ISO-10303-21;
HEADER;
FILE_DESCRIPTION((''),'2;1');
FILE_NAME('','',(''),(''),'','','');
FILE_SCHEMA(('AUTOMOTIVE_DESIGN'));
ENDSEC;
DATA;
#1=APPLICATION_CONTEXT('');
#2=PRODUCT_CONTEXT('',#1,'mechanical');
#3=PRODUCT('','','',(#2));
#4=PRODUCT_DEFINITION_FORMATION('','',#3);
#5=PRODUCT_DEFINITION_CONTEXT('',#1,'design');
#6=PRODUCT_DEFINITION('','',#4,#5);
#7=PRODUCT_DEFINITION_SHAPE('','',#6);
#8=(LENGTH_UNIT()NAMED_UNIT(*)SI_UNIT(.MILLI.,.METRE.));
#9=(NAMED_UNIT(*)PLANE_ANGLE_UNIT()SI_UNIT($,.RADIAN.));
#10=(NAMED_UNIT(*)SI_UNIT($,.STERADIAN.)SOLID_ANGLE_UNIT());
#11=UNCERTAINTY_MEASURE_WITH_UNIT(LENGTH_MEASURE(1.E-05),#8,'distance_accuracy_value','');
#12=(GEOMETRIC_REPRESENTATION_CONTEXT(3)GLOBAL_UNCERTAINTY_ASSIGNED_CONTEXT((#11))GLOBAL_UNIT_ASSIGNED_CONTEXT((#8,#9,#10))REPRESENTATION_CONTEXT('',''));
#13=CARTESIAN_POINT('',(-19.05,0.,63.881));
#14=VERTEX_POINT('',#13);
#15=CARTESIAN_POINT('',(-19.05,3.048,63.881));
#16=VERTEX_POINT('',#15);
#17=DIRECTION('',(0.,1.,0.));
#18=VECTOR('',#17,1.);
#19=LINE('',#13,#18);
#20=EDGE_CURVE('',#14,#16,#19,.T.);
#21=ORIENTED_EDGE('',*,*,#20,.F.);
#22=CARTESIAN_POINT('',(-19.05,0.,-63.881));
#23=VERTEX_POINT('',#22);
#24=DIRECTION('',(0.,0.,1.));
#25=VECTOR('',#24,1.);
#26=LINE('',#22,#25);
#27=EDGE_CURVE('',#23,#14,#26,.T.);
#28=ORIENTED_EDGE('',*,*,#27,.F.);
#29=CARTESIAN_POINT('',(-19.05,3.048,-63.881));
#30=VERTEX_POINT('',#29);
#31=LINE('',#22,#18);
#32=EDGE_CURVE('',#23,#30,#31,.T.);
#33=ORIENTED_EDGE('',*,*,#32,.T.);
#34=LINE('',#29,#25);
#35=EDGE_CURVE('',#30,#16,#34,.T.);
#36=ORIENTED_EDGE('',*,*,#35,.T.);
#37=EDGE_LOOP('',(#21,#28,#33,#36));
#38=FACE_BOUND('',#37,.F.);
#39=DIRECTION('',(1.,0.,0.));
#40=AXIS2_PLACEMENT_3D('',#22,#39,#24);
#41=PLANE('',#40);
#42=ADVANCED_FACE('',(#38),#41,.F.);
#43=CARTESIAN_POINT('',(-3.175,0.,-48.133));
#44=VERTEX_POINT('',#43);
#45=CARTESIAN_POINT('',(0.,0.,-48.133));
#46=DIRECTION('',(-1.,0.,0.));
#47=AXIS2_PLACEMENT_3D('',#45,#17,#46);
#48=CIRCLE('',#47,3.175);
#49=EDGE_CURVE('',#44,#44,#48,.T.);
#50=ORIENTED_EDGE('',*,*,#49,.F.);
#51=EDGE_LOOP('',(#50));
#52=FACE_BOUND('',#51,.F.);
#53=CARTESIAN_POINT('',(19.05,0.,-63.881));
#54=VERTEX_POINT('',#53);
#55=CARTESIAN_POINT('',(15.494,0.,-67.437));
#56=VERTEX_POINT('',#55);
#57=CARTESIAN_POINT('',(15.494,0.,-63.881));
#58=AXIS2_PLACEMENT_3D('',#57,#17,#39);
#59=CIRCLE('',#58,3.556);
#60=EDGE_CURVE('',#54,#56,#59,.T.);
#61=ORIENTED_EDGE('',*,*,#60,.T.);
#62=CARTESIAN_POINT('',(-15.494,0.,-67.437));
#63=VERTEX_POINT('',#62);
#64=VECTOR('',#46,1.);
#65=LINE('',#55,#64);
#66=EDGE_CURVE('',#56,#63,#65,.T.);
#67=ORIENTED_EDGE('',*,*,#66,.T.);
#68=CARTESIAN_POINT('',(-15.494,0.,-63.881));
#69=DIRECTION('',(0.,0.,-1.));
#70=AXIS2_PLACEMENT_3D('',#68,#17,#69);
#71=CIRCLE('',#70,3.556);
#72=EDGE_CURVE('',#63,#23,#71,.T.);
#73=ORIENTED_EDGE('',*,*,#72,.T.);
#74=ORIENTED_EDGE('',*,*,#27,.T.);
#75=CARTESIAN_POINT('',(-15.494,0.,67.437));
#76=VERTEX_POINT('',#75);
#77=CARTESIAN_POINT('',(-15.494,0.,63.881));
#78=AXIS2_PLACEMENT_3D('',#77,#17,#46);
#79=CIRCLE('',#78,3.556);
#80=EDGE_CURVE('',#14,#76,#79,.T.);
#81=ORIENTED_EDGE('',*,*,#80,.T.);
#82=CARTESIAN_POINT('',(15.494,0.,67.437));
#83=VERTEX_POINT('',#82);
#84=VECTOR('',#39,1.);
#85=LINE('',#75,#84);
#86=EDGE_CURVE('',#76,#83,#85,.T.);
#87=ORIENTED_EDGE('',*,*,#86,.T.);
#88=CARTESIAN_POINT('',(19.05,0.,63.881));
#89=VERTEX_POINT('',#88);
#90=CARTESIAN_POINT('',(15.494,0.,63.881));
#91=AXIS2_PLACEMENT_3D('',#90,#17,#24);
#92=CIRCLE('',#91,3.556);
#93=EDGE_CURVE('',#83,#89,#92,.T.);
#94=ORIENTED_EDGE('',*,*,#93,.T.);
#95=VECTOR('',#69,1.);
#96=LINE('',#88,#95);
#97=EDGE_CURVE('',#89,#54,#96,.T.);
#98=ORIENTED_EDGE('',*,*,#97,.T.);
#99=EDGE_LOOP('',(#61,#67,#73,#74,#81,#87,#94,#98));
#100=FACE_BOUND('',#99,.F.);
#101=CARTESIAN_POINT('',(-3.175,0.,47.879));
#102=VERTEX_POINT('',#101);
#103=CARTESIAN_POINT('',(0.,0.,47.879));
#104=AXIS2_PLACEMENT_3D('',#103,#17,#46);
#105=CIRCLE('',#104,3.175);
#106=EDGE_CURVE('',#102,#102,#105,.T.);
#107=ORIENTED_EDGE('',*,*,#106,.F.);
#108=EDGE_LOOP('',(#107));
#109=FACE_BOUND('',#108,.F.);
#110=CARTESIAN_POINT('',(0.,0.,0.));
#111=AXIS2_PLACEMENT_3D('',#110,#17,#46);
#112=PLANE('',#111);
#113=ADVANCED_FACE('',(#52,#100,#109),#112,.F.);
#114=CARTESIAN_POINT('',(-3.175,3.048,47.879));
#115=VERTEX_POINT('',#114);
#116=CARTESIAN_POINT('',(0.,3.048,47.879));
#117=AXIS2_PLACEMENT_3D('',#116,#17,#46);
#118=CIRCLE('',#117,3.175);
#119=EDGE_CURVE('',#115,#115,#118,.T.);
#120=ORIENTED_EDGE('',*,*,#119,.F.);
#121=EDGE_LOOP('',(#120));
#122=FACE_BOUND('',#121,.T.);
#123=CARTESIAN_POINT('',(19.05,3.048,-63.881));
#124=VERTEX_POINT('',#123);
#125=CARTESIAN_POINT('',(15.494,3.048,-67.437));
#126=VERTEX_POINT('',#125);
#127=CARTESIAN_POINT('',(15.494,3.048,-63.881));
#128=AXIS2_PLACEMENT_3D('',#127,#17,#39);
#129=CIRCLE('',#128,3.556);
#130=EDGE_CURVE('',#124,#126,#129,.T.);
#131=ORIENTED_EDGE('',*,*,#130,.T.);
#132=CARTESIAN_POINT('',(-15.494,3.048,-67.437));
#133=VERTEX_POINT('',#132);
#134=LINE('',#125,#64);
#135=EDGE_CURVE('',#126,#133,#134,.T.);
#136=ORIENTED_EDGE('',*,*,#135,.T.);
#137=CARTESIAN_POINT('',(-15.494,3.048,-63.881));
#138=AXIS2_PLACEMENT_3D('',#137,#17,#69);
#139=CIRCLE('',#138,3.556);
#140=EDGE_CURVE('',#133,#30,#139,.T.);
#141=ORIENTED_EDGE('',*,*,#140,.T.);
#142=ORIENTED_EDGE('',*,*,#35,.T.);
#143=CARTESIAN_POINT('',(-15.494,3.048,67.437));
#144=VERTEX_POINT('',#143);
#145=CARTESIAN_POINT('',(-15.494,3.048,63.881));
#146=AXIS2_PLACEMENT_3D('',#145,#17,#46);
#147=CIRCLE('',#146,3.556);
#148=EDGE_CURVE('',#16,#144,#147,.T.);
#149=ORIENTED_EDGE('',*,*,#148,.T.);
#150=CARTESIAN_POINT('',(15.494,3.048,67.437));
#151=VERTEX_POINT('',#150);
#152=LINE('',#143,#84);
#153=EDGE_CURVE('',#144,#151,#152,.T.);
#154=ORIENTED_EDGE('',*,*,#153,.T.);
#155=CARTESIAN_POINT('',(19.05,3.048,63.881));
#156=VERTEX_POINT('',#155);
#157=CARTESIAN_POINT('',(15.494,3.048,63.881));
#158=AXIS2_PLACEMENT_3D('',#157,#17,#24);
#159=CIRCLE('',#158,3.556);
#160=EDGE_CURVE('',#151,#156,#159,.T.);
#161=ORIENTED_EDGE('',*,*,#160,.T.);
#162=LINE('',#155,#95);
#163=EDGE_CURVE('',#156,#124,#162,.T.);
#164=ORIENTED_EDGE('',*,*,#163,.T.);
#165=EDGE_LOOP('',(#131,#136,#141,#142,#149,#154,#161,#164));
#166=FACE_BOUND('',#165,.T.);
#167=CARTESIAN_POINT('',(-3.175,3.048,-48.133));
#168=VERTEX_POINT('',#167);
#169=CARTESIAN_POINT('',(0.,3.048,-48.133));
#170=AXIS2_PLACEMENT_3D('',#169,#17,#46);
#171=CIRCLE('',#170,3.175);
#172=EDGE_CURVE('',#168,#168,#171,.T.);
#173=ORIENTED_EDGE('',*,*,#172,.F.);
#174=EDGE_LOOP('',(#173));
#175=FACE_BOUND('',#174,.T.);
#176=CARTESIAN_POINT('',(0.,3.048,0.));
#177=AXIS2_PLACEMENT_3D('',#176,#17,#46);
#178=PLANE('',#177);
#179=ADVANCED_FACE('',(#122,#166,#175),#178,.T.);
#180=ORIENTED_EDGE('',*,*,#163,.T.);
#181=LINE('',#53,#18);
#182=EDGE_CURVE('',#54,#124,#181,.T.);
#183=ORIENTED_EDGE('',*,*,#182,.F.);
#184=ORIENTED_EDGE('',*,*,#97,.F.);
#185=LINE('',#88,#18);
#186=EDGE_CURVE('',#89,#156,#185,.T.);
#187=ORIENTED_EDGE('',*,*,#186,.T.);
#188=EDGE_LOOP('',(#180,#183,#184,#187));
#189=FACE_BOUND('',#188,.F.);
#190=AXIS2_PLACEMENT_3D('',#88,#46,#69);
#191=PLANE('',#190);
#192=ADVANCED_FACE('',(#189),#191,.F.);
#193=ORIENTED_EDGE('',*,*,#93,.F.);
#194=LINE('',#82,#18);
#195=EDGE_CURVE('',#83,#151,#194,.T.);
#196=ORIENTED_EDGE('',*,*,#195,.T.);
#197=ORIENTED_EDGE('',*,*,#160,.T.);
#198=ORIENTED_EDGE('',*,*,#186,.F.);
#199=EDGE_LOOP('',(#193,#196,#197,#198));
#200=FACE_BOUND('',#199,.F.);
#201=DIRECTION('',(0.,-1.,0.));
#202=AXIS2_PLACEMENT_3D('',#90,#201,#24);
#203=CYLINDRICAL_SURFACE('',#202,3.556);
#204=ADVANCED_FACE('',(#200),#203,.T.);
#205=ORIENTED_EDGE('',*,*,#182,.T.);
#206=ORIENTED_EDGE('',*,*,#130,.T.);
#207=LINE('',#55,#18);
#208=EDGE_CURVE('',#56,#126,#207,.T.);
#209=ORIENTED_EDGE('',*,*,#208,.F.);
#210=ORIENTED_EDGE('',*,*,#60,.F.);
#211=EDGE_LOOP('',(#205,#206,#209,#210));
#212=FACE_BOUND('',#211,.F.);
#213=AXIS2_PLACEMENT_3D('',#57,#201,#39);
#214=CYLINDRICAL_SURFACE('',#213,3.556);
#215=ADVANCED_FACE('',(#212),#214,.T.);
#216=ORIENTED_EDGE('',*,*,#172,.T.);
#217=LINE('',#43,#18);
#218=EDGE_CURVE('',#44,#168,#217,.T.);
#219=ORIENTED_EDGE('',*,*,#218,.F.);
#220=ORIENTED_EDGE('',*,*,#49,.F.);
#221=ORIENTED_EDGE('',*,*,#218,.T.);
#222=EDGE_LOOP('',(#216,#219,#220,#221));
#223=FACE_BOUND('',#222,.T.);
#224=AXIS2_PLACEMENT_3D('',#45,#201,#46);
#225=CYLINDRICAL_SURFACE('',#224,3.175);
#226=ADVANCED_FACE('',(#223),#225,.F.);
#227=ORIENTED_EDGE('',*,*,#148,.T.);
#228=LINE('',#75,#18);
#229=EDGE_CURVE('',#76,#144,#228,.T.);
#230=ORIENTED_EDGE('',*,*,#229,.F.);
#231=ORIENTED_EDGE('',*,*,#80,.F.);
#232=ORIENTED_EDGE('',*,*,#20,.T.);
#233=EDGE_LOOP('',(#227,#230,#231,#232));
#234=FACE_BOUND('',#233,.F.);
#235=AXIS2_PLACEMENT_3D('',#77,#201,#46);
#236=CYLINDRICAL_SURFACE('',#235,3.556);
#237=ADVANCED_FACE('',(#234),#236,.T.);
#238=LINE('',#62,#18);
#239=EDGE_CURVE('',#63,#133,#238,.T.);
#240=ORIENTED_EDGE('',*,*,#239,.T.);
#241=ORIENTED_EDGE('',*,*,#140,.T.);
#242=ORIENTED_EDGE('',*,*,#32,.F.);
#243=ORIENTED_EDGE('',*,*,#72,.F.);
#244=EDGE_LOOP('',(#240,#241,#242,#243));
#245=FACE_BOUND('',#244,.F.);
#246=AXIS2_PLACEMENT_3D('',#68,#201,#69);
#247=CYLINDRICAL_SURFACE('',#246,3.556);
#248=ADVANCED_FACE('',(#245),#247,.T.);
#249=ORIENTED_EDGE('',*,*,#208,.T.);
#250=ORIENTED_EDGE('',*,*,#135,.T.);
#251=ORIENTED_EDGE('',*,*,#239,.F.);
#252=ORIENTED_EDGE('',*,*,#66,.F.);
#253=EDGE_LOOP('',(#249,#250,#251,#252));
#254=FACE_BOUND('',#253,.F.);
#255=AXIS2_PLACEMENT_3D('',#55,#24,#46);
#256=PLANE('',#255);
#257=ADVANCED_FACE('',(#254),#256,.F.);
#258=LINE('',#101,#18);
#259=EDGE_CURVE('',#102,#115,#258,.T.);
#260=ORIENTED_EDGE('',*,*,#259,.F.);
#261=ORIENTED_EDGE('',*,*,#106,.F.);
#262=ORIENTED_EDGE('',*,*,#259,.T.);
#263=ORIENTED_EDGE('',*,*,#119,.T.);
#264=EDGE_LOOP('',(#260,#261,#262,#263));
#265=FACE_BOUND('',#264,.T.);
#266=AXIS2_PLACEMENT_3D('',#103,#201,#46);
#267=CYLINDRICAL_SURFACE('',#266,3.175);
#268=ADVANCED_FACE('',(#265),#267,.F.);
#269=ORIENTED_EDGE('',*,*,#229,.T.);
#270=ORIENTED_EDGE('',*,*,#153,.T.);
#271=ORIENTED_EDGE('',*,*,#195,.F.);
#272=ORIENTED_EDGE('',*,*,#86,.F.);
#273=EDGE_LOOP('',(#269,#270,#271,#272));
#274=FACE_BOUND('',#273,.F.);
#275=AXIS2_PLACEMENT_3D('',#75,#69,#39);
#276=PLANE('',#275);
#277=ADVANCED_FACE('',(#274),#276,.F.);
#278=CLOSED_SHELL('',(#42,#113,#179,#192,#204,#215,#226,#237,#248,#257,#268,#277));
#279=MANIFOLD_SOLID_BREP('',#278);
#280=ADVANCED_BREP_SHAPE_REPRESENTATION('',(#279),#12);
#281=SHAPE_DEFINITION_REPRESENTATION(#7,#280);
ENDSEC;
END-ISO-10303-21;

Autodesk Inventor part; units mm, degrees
ref_plane "YZ Plane" through (0, 0, 0) normal (1, 0, 0) x (0, 1, 0)
ref_plane "XZ Plane" through (0, 0, 0) normal (0, 1, 0) x (-1, 0, 0)
ref_plane "XY Plane" through (0, 0, 0) normal (0, 0, 1) x (1, 0, 0)
sketch "Sketch1" plane through (0, 0, 0) normal (0, 1, 0) x (-1, 0, 0)
  line L0 (-15.494, -67.437) -> (15.494, -67.437)
  line L1 (19.05, -63.881) -> (19.05, 63.881)
  line L2 (15.494, 67.437) -> (-15.494, 67.437)
  line L3 (-19.05, 63.881) -> (-19.05, -63.881)
  line L4 (-19.05, -67.437) -> (19.05, 67.437) construction
  line L5 (19.05, -67.437) -> (-19.05, 67.437) construction
  circle A0 centre (0, 47.879) radius 3.175
  circle A1 centre (0, -48.133) radius 3.175
  arc A2 (19.05, 63.881) -> (15.494, 67.437) centre (15.494, 63.881) ccw
  arc A3 (-15.494, 67.437) -> (-19.05, 63.881) centre (-15.494, 63.881) ccw
  arc A4 (15.494, -67.437) -> (19.05, -63.881) centre (15.494, -63.881) ccw
  arc A5 (-19.05, -63.881) -> (-15.494, -67.437) centre (-15.494, -63.881) ccw
  point P0 (0, 0)
  dimension "d0" = 38.1
  dimension "d1" = 134.874
  dimension "d2" = 6.35
  dimension "d3" = 19.558
  dimension "d4" = 6.35
  dimension "d5" = 96.012
  dimension "d6" = 3.556
extrude "Plate1" add sketch "Sketch1" along normal blind 3.048
equation "\"d7\" = Thickness"
equation "\"BendRadius\" = Thickness"
equation "\"BendReliefWidth\" = Thickness"
equation "\"BendReliefDepth\" = 0.5 * Thickness"
equation "\"CornerReliefSize\" = 4 * Thickness"
equation "\"MinimumRemnant\" = 2 * Thickness"
equation "\"TransitionRadius\" = BendRadius"
equation "\"JacobiRadiusSize\" = BendRadius"
equation "\"GapSize\" = Thickness"
equation "\"Thickness\" = 3.048"
properties part number "HOVER-plate-b"
